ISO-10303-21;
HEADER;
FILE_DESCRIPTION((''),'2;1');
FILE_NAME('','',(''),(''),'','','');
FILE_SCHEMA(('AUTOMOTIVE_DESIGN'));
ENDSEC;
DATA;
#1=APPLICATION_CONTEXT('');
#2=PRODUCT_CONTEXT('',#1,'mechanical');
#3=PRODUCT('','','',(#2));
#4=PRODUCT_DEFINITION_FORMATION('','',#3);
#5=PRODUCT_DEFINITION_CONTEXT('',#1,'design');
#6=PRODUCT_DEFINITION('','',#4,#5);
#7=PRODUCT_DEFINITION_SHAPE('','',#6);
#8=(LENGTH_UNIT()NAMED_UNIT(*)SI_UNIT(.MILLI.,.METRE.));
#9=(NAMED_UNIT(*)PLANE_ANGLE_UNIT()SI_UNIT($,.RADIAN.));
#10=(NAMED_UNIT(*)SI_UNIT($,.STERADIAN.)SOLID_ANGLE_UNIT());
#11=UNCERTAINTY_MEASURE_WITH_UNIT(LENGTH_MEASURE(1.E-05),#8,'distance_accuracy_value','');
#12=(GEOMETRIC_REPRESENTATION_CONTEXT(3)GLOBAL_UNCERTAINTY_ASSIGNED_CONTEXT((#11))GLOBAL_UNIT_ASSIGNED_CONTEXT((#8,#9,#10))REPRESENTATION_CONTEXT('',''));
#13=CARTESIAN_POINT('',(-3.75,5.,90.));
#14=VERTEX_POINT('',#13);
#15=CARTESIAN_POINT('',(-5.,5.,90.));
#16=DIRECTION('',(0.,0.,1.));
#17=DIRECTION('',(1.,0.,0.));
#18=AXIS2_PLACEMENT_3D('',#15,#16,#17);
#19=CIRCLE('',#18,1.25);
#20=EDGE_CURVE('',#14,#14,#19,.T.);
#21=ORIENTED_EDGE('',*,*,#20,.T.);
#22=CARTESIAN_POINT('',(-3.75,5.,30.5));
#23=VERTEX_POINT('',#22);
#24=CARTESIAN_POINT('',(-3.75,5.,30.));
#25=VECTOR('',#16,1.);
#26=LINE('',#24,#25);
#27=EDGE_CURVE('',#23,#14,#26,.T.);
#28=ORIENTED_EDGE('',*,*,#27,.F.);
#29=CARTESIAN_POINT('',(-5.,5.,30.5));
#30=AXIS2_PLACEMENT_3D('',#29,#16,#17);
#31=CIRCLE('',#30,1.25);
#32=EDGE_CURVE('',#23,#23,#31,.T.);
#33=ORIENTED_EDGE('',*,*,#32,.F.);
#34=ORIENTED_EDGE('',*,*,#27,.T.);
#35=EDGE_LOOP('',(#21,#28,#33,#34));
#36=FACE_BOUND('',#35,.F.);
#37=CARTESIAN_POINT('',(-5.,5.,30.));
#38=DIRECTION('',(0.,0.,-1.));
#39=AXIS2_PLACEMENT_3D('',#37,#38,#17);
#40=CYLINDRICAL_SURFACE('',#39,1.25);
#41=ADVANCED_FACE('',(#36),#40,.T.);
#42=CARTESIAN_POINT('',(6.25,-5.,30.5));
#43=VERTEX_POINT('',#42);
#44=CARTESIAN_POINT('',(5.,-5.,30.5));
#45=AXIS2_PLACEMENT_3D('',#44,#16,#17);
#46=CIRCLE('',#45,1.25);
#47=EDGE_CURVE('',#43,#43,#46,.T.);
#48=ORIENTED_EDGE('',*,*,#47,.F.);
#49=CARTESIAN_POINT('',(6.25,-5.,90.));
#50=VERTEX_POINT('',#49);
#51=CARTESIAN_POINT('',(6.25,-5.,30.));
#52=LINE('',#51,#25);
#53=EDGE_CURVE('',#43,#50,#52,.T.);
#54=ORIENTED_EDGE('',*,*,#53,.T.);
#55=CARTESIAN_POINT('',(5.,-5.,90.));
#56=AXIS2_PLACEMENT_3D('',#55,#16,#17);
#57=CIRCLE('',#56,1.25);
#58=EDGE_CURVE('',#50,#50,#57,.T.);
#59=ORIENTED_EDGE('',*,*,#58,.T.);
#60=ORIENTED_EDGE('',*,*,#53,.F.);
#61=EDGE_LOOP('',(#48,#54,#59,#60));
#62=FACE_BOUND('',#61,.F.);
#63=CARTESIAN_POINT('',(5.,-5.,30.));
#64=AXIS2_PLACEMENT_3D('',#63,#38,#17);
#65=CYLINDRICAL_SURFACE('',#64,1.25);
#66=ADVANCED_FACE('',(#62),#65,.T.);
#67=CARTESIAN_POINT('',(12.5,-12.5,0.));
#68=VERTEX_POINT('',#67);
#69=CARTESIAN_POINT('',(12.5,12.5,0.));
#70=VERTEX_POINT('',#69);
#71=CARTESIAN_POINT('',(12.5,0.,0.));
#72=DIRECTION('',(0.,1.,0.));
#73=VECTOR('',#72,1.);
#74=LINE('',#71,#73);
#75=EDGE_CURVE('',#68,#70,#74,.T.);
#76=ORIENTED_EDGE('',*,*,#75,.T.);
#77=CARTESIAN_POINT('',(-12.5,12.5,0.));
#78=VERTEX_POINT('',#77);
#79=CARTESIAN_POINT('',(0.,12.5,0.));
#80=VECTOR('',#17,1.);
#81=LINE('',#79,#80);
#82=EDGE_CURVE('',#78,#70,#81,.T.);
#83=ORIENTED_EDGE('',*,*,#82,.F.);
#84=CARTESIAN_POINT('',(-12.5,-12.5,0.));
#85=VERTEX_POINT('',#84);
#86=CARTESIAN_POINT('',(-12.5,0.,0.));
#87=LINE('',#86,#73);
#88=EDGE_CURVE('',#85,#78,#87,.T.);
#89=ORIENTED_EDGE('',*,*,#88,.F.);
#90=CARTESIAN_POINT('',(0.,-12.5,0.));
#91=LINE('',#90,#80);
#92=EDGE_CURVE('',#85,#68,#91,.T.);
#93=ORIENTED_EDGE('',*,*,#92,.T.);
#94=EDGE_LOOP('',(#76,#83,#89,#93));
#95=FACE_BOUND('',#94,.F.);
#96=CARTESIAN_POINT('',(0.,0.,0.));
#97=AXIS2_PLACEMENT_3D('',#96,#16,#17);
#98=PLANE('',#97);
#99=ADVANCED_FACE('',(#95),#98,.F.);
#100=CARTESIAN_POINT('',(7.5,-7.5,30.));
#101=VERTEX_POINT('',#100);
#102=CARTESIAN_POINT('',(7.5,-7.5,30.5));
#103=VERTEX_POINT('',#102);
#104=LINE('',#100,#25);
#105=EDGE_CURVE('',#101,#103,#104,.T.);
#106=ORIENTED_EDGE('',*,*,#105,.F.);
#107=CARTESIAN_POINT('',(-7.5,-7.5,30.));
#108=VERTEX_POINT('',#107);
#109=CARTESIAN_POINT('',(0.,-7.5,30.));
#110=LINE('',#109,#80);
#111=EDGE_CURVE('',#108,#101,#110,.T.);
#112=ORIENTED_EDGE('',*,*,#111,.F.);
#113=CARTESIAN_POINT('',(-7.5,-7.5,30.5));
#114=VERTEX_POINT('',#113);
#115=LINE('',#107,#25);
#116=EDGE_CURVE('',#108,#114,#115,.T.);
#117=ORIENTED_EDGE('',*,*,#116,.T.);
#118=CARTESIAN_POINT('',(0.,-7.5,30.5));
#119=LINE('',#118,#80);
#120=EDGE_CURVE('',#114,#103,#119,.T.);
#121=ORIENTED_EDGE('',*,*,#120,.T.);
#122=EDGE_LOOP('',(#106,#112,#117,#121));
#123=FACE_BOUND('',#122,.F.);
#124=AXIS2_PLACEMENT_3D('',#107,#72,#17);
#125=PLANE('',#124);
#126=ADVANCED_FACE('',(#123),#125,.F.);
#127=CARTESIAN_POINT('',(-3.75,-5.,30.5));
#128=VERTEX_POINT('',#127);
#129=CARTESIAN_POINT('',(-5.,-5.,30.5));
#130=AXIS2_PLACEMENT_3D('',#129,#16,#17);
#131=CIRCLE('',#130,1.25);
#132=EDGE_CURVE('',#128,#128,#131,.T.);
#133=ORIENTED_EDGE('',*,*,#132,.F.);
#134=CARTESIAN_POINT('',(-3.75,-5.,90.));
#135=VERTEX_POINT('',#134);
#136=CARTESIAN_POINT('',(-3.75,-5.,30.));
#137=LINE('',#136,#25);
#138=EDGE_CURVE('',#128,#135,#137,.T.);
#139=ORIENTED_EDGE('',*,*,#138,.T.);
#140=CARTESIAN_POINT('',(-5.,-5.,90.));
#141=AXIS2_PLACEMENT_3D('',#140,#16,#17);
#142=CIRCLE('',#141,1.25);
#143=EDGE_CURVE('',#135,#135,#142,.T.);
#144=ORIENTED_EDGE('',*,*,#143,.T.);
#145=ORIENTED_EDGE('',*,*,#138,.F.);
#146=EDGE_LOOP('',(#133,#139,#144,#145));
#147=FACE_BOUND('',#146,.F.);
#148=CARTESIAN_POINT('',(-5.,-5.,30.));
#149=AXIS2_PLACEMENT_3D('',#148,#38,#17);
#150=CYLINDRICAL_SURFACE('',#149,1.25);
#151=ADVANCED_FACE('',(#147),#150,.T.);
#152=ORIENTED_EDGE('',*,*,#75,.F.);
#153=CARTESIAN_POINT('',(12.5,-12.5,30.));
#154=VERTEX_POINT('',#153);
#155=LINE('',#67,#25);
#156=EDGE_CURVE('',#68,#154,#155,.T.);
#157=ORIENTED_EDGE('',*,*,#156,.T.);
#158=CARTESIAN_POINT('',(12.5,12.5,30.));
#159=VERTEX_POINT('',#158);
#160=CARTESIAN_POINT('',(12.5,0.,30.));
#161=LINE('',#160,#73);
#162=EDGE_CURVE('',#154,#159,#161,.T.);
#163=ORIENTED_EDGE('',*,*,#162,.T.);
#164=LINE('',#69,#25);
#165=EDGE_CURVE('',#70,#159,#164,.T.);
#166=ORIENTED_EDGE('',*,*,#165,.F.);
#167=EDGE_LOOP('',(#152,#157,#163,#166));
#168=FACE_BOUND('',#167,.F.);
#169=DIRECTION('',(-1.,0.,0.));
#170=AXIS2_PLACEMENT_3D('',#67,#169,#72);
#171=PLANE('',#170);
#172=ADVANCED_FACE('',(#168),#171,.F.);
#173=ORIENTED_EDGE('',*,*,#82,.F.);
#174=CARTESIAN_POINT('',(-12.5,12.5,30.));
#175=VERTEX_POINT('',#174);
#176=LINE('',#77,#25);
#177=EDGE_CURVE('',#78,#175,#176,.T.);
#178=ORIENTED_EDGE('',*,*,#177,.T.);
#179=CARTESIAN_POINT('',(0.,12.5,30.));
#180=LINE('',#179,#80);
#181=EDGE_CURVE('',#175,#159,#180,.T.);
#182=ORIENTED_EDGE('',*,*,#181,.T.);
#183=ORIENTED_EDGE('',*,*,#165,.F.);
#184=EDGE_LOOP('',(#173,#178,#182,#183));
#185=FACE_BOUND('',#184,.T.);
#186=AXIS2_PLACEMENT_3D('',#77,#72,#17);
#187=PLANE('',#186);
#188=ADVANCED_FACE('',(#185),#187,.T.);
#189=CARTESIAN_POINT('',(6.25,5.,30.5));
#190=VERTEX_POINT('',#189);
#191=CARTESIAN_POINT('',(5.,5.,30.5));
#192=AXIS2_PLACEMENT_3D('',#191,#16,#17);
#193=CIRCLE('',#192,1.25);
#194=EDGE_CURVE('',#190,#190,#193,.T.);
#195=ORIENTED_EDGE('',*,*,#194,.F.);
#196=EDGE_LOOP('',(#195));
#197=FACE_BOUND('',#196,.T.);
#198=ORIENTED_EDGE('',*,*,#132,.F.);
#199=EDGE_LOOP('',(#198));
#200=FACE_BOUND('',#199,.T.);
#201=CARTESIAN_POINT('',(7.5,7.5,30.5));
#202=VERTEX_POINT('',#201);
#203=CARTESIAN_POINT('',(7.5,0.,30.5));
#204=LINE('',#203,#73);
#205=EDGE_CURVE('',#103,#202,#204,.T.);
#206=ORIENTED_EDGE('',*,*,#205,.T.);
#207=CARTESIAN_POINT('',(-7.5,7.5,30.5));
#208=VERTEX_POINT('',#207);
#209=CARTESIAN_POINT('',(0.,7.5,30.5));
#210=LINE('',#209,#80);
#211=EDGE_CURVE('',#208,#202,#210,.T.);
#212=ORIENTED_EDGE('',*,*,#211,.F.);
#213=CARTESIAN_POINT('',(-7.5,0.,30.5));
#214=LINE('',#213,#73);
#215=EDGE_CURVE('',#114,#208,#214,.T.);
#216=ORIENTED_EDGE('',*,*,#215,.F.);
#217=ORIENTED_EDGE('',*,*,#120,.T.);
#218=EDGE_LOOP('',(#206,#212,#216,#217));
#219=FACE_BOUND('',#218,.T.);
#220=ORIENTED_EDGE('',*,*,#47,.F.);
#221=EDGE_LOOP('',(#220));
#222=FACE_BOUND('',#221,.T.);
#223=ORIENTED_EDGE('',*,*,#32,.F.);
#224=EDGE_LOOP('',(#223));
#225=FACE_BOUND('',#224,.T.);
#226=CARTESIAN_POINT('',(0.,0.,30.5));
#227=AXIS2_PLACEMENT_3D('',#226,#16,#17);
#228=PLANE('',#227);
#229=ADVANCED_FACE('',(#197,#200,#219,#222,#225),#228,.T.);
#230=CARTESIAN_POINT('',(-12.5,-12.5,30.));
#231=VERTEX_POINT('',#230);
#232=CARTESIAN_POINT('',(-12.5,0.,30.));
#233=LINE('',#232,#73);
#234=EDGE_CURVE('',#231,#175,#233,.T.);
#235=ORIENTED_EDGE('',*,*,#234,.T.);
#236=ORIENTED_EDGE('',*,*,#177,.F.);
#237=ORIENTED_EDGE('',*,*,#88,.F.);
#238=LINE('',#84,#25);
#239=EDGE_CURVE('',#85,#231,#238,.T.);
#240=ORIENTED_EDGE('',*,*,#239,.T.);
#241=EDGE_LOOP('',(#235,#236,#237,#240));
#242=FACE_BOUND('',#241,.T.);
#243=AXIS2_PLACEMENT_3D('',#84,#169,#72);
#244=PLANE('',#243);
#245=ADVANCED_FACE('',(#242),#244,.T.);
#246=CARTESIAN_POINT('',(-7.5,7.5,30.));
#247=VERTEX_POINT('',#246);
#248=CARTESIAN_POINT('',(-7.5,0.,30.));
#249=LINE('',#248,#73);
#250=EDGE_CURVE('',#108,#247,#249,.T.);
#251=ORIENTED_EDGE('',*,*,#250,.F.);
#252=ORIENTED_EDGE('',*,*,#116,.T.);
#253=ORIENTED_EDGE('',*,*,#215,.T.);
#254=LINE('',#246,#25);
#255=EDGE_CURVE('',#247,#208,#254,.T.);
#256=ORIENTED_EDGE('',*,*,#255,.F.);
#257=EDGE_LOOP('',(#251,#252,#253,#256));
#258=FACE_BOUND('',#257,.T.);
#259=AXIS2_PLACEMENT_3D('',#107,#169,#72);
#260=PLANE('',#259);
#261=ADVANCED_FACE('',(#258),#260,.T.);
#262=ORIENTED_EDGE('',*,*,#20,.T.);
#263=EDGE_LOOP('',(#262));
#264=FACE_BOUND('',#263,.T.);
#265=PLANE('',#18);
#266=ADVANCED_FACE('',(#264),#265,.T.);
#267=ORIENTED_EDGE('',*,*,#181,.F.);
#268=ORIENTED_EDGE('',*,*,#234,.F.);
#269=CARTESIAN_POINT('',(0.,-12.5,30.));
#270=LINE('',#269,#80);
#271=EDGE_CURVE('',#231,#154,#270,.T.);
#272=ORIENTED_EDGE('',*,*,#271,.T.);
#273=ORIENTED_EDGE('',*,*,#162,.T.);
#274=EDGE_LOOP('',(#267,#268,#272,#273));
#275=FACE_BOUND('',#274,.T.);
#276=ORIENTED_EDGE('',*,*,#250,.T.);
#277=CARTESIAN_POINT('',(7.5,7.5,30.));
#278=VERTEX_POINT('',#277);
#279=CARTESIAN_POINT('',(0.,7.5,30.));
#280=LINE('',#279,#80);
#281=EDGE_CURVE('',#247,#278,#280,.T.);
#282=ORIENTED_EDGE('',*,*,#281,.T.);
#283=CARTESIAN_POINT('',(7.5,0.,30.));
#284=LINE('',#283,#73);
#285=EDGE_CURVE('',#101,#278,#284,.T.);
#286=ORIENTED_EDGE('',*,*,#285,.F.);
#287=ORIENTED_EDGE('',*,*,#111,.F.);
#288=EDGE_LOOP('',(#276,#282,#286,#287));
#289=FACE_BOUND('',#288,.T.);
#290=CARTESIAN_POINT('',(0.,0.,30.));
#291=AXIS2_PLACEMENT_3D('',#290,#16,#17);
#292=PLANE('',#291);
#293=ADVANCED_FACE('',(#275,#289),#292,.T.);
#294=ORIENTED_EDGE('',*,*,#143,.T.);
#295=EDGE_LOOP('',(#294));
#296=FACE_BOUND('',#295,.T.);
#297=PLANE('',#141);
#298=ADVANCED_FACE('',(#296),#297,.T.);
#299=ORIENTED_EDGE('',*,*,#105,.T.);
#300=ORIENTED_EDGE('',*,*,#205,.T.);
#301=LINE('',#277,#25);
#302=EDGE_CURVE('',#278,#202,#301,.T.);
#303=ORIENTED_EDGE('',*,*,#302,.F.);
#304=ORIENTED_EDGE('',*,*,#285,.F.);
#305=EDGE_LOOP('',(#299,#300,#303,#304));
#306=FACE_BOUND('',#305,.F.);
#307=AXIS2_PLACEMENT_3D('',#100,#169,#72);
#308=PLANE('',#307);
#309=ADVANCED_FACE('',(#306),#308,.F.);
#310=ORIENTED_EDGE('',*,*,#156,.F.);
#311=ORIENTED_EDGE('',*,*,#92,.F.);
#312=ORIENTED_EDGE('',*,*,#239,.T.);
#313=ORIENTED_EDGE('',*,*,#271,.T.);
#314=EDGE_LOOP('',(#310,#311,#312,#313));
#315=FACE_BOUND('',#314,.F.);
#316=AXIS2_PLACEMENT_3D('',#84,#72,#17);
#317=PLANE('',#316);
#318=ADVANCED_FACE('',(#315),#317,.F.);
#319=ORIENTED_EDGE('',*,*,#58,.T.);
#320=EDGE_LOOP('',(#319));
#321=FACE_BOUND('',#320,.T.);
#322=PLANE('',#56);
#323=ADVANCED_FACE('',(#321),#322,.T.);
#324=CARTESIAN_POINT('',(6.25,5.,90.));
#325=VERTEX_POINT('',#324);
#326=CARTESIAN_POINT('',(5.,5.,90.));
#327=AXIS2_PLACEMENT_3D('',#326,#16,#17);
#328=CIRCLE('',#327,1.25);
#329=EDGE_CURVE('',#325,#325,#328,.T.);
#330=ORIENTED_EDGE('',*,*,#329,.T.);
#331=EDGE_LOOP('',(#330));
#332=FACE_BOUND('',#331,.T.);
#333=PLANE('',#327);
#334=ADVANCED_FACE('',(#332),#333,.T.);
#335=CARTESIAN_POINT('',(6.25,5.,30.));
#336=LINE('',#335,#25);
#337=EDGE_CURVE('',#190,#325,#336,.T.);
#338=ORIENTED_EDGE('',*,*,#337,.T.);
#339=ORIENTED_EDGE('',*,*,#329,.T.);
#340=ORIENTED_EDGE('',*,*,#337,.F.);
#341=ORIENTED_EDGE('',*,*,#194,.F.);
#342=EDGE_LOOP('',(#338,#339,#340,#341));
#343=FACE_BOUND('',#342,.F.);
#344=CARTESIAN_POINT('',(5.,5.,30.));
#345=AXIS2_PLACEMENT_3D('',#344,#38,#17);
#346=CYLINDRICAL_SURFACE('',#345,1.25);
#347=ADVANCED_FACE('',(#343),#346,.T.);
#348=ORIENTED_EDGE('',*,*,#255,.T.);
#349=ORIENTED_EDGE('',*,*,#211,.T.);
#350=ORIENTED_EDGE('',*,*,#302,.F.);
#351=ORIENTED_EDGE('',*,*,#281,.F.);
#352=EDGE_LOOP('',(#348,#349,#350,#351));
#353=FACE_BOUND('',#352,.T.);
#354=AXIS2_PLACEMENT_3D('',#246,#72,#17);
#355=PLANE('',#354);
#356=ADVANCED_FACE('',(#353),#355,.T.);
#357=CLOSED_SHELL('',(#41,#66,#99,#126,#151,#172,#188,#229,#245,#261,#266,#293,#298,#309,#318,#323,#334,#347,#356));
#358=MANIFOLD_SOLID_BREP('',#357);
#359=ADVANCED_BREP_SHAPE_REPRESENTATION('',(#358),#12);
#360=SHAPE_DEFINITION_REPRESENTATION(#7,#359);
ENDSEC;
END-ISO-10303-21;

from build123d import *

# Parameters (mm, degrees)
F0_W     = 25
F0_H     = 25
F1_DEPTH = 30
F2_R     = 1.25
F3_DEPTH = 60
F2_W     = 15
F2_H     = 15
F4_DEPTH = 0.5


with BuildPart() as f1:
    # F0 (on Top) → F1 (new body)
    with BuildSketch(Plane.XY):
        Rectangle(F0_W, F0_H)
    extrude(amount=F1_DEPTH)

    # F2 (on face) → F3 (join)
    with BuildSketch(Plane.XY.offset(30)):
        with Locations((-5, 5)):
            Circle(F2_R)
        with Locations((5, 5)):
            Circle(F2_R)
        with Locations((-5, -5)):
            Circle(F2_R)
        with Locations((5, -5)):
            Circle(F2_R)
    extrude(amount=F3_DEPTH)

    # F2 (on face) → F4 (join)
    with BuildSketch(Plane.XY.offset(30)):
        Rectangle(F2_W, F2_H)
        with Locations((-5, -5)):
            Circle(F2_R, mode=Mode.SUBTRACT)
        with Locations((5, -5)):
            Circle(F2_R, mode=Mode.SUBTRACT)
        with Locations((-5, 5)):
            Circle(F2_R, mode=Mode.SUBTRACT)
        with Locations((5, 5)):
            Circle(F2_R, mode=Mode.SUBTRACT)
    extrude(amount=F4_DEPTH)


solid = f1.part
